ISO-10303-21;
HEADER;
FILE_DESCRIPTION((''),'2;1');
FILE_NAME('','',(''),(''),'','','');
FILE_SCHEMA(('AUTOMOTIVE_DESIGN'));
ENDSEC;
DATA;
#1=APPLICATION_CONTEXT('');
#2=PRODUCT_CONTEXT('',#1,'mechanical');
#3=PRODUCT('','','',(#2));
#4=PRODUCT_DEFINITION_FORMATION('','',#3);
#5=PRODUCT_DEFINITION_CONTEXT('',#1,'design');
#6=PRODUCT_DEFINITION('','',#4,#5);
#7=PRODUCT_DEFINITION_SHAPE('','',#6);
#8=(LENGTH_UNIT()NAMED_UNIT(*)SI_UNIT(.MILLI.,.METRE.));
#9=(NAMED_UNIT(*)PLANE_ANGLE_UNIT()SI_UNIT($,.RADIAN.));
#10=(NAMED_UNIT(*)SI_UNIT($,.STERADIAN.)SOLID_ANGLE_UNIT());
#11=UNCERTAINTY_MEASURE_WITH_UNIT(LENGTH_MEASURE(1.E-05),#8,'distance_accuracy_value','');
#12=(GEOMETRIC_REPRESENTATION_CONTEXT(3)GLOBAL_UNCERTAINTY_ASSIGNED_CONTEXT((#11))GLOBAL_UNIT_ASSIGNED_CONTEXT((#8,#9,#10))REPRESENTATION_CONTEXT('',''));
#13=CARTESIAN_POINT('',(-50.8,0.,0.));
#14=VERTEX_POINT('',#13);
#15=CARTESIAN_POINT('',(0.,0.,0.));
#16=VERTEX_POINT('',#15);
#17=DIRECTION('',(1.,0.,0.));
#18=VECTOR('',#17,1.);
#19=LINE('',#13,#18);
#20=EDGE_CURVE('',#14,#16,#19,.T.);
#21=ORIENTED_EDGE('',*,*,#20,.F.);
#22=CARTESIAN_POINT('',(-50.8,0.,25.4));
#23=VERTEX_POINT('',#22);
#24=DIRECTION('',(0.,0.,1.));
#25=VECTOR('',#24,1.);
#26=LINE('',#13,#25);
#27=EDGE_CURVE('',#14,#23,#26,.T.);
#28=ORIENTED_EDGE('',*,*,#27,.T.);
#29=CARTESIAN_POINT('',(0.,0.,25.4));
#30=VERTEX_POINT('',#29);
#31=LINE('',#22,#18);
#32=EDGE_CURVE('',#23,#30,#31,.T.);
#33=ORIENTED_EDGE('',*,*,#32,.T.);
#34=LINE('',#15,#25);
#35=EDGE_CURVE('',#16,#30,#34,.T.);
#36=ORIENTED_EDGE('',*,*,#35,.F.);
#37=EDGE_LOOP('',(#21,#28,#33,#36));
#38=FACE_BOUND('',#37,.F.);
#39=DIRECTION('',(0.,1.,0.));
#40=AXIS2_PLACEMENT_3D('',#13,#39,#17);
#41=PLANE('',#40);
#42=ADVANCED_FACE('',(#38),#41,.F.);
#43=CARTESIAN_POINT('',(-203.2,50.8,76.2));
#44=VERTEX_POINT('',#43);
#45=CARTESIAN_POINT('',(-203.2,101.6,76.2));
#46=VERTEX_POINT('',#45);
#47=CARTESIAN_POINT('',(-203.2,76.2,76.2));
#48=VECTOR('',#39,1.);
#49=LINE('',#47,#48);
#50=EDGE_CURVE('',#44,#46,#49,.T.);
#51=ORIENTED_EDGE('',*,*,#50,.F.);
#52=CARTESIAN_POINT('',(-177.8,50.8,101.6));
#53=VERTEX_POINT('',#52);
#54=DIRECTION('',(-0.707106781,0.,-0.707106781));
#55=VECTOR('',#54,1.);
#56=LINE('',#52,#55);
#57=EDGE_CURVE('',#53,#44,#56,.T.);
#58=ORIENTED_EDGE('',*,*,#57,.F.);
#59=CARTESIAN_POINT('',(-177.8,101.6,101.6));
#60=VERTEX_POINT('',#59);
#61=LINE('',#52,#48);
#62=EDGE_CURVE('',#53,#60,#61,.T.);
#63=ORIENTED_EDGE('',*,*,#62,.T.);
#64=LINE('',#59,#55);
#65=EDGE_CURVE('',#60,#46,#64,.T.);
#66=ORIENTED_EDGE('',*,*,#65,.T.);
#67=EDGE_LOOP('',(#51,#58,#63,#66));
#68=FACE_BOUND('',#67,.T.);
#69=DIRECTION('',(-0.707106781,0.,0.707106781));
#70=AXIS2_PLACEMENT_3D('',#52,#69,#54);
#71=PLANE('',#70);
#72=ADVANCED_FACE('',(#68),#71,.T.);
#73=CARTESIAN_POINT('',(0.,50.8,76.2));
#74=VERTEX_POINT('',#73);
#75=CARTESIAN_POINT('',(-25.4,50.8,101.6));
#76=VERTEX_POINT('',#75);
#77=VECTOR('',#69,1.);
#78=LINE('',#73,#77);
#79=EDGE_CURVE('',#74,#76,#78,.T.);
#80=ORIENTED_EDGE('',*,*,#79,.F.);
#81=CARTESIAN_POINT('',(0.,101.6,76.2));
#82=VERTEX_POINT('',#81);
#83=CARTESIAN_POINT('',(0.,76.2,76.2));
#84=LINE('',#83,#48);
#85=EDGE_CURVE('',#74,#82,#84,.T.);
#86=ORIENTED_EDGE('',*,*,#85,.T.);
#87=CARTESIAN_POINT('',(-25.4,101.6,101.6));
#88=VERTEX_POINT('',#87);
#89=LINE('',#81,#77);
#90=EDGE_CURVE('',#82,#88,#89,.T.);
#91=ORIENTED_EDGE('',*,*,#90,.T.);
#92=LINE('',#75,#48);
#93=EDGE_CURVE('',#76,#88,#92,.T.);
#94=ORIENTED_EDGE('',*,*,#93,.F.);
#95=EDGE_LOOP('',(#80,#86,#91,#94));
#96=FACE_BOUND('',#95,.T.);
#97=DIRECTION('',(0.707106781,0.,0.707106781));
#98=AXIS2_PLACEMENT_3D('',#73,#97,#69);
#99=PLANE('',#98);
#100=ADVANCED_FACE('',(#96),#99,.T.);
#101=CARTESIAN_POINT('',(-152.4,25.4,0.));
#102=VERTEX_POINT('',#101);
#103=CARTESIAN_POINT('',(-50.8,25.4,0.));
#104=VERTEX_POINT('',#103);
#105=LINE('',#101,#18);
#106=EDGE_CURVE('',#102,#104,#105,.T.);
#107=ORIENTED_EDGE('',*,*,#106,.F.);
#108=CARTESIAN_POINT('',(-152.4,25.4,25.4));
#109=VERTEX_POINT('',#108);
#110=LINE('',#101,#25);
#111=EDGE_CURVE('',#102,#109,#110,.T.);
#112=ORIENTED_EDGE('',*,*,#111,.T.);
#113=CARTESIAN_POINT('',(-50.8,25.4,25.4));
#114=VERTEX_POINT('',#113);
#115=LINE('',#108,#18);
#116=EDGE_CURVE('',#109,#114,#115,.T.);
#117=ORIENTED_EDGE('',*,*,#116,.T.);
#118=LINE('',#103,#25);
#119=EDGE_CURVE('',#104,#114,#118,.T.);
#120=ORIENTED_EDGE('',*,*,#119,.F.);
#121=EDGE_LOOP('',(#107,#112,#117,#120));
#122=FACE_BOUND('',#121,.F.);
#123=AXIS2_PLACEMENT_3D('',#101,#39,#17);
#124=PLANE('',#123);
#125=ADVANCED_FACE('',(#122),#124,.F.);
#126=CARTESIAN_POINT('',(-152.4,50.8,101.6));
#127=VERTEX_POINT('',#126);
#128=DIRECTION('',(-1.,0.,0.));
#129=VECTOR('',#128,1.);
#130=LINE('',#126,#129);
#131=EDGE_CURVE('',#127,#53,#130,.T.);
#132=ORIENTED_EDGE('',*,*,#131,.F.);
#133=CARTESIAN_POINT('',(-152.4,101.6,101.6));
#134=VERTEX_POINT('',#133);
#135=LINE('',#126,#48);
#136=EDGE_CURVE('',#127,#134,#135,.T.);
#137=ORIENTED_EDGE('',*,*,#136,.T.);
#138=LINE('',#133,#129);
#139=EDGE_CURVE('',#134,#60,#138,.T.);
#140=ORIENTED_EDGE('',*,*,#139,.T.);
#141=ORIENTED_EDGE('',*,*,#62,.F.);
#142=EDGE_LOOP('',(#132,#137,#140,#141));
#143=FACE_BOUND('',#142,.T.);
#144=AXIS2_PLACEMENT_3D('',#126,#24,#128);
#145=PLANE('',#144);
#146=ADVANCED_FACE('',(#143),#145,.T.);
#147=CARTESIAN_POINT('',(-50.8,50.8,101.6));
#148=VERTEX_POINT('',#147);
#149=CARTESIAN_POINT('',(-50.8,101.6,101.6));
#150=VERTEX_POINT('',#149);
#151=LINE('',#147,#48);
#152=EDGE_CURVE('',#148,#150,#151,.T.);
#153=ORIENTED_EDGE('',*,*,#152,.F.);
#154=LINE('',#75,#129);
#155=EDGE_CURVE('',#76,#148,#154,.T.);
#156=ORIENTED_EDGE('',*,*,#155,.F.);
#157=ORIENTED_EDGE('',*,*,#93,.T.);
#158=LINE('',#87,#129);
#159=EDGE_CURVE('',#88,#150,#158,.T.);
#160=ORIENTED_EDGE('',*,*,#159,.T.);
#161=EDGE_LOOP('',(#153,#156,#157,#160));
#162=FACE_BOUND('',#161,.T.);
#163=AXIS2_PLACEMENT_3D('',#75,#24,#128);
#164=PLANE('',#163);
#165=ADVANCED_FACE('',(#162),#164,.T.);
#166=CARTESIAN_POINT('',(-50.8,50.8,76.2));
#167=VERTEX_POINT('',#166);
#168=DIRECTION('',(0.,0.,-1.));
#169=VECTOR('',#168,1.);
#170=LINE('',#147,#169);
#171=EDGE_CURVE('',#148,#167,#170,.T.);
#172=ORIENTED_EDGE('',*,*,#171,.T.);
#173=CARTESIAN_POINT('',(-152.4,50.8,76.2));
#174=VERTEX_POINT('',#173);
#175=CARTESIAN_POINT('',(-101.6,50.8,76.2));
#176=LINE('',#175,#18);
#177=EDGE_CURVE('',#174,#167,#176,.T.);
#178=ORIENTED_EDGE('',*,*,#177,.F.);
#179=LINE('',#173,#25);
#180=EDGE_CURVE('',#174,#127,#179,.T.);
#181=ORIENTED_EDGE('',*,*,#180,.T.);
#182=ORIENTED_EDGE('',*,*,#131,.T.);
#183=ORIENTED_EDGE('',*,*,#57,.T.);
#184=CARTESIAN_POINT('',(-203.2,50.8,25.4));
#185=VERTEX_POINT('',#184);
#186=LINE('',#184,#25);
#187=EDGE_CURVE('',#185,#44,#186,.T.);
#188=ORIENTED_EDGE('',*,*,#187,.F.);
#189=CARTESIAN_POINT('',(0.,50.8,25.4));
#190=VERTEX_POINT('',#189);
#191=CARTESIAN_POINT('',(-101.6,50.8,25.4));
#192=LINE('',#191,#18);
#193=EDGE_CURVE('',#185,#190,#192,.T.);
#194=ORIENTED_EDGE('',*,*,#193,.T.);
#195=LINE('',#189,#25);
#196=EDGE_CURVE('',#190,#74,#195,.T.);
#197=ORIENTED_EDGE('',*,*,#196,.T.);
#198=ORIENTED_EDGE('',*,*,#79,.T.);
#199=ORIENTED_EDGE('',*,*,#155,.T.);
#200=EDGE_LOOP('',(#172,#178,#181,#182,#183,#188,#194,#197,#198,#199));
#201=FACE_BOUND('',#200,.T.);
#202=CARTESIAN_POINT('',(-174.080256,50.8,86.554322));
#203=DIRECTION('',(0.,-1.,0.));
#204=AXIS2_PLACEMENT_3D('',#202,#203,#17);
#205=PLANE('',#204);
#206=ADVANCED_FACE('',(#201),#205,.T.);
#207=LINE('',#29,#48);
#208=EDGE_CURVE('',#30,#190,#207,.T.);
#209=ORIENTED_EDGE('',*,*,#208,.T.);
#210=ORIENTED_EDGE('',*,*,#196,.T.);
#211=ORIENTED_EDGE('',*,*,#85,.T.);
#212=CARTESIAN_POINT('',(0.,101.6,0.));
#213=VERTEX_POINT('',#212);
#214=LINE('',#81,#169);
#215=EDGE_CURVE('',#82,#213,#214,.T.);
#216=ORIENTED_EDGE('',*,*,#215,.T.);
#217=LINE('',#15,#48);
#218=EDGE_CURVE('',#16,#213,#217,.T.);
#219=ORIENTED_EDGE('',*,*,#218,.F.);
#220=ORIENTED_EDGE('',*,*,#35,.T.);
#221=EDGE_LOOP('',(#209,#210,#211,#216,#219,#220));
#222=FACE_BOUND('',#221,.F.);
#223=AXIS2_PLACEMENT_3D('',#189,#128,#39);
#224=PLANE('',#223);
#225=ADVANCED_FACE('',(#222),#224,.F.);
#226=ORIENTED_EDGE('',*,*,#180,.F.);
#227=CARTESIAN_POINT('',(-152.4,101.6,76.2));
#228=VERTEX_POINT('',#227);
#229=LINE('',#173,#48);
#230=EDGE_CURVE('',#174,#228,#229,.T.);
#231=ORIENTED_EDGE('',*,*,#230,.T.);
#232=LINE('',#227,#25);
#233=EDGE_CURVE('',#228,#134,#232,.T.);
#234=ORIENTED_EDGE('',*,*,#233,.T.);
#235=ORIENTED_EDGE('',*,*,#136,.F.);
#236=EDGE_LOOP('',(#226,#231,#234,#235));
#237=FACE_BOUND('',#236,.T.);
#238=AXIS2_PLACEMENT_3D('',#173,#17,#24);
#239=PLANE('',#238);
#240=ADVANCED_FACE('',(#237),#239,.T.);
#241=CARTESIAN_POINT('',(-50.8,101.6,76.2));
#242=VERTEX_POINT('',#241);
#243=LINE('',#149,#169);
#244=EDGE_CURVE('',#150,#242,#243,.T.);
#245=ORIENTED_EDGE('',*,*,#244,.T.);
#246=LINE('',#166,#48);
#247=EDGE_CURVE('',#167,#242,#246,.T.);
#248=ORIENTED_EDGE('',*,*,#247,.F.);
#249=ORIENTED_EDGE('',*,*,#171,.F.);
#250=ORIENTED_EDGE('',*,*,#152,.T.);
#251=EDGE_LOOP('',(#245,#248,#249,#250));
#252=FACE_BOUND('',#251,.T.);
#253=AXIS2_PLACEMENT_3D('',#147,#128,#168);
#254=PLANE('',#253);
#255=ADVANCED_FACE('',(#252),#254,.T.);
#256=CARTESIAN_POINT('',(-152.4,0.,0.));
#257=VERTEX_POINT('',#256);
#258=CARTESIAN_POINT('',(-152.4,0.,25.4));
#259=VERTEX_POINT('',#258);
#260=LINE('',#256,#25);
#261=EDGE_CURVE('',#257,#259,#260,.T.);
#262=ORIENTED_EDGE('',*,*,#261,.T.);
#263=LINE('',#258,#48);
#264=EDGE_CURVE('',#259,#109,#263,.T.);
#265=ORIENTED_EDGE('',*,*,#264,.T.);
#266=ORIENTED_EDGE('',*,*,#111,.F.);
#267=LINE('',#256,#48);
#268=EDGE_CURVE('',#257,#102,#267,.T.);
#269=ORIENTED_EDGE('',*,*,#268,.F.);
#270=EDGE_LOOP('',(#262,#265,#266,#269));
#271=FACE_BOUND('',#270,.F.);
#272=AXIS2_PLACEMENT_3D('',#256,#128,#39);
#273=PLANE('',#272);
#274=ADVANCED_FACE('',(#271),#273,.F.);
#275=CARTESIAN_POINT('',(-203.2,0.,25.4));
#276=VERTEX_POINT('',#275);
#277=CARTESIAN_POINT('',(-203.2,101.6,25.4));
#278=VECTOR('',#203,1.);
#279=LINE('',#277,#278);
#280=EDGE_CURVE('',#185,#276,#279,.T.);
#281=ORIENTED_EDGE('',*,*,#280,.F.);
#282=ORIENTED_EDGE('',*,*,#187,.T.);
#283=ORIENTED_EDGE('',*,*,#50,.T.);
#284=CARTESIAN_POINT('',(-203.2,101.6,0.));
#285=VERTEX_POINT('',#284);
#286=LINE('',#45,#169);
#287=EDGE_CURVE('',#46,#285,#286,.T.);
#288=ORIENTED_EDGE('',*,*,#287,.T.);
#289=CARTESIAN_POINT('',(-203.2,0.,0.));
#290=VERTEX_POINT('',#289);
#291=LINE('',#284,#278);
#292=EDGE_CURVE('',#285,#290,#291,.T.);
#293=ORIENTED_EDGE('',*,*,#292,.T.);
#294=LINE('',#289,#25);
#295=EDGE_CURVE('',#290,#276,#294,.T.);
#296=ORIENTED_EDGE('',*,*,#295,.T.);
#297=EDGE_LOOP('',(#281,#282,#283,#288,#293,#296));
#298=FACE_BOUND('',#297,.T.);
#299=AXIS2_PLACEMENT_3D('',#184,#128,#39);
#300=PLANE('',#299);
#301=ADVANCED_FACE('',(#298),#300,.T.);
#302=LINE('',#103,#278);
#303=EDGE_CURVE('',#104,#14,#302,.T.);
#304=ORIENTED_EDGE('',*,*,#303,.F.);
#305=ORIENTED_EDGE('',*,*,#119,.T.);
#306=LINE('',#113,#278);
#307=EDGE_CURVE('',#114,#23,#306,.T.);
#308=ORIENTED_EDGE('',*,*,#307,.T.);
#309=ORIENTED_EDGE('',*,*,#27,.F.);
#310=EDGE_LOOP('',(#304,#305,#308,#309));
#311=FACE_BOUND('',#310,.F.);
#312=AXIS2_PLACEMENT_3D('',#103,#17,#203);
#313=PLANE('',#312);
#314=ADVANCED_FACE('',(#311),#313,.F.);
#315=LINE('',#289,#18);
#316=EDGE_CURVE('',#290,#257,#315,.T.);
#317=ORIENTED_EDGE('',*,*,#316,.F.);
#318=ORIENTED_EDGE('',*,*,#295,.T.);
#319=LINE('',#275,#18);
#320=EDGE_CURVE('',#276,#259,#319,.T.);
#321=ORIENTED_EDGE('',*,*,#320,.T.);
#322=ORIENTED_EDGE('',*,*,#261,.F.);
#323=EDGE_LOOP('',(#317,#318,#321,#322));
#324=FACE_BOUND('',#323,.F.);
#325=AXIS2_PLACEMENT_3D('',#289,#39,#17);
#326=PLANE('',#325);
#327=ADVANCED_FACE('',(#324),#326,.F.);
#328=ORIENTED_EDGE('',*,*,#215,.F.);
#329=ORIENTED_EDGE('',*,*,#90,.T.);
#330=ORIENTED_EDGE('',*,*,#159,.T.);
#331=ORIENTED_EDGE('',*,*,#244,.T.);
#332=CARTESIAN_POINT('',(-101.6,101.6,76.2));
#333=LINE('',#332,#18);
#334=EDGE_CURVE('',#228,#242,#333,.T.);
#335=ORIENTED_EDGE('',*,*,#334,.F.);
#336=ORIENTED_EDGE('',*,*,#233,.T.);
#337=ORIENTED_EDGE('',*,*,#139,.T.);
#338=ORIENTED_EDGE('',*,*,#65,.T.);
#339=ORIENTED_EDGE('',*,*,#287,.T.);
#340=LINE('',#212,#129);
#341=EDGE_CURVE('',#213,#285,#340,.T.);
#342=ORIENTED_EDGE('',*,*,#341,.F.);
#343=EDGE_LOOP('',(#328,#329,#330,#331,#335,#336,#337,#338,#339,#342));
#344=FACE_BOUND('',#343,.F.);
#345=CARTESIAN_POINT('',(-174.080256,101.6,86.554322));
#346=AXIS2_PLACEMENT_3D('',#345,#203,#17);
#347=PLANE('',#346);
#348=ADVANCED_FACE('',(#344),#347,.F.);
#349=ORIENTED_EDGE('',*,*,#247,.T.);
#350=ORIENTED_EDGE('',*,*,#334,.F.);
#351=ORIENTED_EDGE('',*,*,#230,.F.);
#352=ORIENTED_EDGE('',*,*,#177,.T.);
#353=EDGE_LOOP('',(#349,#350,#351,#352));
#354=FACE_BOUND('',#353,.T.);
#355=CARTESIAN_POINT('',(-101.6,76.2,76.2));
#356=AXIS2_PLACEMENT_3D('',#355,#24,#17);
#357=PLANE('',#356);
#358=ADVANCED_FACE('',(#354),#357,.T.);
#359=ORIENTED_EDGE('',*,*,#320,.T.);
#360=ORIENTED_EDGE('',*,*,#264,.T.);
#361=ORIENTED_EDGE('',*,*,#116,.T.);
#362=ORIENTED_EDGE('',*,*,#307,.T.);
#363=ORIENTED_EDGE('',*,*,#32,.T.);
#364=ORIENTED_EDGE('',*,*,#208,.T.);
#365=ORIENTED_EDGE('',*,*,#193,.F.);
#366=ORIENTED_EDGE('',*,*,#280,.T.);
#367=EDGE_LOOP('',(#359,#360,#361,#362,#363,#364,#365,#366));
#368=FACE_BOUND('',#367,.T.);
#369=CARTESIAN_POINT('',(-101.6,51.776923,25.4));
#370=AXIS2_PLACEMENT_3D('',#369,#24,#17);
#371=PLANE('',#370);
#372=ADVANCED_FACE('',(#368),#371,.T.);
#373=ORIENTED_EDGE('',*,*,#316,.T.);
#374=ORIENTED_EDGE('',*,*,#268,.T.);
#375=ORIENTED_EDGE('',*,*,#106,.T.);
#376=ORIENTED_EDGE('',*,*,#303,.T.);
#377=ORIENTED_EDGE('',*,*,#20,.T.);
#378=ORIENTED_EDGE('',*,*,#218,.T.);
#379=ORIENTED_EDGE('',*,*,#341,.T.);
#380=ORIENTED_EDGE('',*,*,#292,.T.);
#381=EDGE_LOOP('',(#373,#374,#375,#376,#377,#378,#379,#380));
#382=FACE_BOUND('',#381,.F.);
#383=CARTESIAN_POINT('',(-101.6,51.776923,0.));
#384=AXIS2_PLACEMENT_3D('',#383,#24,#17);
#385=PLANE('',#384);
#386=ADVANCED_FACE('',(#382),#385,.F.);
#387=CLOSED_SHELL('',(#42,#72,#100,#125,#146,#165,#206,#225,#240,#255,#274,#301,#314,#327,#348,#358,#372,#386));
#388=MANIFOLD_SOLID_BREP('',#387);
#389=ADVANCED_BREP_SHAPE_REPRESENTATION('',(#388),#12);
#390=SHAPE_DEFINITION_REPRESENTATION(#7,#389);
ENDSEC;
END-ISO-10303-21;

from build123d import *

# Parameters (mm, degrees)
F1_DEPTH = 25.4
F2_W     = 203.2
F2_H     = 50.8
F3_DEPTH = 50.8
F5_DEPTH = 50.8


with BuildPart() as f1:
    # F0 (on Top) → F1 (new body)
    with BuildSketch(Plane.XY):
        Polygon((-50.8, 0), (0, 0), (0, 101.6), (-203.2, 101.6), (-203.2, 0), (-152.4, 0), (-152.4, 25.4), (-50.8, 25.4), align=None)
    extrude(amount=F1_DEPTH)

    # F2 (on face) → F3 (join)
    with BuildSketch(Plane.XY.offset(25.4)):
        with Locations((-101.6, 76.2)):
            Rectangle(F2_W, F2_H)
    extrude(amount=F3_DEPTH)

    # F4 (on face) → F5 (join)
    with BuildSketch(Plane.XZ.offset(-50.8)):
        Polygon((-203.2, 76.2), (-152.4, 76.2), (-152.4, 101.6), (-177.8, 101.6), align=None)
        Polygon((-50.8, 76.2), (0, 76.2), (-25.4, 101.6), (-50.8, 101.6), align=None)
    extrude(amount=-F5_DEPTH)


solid = f1.part
